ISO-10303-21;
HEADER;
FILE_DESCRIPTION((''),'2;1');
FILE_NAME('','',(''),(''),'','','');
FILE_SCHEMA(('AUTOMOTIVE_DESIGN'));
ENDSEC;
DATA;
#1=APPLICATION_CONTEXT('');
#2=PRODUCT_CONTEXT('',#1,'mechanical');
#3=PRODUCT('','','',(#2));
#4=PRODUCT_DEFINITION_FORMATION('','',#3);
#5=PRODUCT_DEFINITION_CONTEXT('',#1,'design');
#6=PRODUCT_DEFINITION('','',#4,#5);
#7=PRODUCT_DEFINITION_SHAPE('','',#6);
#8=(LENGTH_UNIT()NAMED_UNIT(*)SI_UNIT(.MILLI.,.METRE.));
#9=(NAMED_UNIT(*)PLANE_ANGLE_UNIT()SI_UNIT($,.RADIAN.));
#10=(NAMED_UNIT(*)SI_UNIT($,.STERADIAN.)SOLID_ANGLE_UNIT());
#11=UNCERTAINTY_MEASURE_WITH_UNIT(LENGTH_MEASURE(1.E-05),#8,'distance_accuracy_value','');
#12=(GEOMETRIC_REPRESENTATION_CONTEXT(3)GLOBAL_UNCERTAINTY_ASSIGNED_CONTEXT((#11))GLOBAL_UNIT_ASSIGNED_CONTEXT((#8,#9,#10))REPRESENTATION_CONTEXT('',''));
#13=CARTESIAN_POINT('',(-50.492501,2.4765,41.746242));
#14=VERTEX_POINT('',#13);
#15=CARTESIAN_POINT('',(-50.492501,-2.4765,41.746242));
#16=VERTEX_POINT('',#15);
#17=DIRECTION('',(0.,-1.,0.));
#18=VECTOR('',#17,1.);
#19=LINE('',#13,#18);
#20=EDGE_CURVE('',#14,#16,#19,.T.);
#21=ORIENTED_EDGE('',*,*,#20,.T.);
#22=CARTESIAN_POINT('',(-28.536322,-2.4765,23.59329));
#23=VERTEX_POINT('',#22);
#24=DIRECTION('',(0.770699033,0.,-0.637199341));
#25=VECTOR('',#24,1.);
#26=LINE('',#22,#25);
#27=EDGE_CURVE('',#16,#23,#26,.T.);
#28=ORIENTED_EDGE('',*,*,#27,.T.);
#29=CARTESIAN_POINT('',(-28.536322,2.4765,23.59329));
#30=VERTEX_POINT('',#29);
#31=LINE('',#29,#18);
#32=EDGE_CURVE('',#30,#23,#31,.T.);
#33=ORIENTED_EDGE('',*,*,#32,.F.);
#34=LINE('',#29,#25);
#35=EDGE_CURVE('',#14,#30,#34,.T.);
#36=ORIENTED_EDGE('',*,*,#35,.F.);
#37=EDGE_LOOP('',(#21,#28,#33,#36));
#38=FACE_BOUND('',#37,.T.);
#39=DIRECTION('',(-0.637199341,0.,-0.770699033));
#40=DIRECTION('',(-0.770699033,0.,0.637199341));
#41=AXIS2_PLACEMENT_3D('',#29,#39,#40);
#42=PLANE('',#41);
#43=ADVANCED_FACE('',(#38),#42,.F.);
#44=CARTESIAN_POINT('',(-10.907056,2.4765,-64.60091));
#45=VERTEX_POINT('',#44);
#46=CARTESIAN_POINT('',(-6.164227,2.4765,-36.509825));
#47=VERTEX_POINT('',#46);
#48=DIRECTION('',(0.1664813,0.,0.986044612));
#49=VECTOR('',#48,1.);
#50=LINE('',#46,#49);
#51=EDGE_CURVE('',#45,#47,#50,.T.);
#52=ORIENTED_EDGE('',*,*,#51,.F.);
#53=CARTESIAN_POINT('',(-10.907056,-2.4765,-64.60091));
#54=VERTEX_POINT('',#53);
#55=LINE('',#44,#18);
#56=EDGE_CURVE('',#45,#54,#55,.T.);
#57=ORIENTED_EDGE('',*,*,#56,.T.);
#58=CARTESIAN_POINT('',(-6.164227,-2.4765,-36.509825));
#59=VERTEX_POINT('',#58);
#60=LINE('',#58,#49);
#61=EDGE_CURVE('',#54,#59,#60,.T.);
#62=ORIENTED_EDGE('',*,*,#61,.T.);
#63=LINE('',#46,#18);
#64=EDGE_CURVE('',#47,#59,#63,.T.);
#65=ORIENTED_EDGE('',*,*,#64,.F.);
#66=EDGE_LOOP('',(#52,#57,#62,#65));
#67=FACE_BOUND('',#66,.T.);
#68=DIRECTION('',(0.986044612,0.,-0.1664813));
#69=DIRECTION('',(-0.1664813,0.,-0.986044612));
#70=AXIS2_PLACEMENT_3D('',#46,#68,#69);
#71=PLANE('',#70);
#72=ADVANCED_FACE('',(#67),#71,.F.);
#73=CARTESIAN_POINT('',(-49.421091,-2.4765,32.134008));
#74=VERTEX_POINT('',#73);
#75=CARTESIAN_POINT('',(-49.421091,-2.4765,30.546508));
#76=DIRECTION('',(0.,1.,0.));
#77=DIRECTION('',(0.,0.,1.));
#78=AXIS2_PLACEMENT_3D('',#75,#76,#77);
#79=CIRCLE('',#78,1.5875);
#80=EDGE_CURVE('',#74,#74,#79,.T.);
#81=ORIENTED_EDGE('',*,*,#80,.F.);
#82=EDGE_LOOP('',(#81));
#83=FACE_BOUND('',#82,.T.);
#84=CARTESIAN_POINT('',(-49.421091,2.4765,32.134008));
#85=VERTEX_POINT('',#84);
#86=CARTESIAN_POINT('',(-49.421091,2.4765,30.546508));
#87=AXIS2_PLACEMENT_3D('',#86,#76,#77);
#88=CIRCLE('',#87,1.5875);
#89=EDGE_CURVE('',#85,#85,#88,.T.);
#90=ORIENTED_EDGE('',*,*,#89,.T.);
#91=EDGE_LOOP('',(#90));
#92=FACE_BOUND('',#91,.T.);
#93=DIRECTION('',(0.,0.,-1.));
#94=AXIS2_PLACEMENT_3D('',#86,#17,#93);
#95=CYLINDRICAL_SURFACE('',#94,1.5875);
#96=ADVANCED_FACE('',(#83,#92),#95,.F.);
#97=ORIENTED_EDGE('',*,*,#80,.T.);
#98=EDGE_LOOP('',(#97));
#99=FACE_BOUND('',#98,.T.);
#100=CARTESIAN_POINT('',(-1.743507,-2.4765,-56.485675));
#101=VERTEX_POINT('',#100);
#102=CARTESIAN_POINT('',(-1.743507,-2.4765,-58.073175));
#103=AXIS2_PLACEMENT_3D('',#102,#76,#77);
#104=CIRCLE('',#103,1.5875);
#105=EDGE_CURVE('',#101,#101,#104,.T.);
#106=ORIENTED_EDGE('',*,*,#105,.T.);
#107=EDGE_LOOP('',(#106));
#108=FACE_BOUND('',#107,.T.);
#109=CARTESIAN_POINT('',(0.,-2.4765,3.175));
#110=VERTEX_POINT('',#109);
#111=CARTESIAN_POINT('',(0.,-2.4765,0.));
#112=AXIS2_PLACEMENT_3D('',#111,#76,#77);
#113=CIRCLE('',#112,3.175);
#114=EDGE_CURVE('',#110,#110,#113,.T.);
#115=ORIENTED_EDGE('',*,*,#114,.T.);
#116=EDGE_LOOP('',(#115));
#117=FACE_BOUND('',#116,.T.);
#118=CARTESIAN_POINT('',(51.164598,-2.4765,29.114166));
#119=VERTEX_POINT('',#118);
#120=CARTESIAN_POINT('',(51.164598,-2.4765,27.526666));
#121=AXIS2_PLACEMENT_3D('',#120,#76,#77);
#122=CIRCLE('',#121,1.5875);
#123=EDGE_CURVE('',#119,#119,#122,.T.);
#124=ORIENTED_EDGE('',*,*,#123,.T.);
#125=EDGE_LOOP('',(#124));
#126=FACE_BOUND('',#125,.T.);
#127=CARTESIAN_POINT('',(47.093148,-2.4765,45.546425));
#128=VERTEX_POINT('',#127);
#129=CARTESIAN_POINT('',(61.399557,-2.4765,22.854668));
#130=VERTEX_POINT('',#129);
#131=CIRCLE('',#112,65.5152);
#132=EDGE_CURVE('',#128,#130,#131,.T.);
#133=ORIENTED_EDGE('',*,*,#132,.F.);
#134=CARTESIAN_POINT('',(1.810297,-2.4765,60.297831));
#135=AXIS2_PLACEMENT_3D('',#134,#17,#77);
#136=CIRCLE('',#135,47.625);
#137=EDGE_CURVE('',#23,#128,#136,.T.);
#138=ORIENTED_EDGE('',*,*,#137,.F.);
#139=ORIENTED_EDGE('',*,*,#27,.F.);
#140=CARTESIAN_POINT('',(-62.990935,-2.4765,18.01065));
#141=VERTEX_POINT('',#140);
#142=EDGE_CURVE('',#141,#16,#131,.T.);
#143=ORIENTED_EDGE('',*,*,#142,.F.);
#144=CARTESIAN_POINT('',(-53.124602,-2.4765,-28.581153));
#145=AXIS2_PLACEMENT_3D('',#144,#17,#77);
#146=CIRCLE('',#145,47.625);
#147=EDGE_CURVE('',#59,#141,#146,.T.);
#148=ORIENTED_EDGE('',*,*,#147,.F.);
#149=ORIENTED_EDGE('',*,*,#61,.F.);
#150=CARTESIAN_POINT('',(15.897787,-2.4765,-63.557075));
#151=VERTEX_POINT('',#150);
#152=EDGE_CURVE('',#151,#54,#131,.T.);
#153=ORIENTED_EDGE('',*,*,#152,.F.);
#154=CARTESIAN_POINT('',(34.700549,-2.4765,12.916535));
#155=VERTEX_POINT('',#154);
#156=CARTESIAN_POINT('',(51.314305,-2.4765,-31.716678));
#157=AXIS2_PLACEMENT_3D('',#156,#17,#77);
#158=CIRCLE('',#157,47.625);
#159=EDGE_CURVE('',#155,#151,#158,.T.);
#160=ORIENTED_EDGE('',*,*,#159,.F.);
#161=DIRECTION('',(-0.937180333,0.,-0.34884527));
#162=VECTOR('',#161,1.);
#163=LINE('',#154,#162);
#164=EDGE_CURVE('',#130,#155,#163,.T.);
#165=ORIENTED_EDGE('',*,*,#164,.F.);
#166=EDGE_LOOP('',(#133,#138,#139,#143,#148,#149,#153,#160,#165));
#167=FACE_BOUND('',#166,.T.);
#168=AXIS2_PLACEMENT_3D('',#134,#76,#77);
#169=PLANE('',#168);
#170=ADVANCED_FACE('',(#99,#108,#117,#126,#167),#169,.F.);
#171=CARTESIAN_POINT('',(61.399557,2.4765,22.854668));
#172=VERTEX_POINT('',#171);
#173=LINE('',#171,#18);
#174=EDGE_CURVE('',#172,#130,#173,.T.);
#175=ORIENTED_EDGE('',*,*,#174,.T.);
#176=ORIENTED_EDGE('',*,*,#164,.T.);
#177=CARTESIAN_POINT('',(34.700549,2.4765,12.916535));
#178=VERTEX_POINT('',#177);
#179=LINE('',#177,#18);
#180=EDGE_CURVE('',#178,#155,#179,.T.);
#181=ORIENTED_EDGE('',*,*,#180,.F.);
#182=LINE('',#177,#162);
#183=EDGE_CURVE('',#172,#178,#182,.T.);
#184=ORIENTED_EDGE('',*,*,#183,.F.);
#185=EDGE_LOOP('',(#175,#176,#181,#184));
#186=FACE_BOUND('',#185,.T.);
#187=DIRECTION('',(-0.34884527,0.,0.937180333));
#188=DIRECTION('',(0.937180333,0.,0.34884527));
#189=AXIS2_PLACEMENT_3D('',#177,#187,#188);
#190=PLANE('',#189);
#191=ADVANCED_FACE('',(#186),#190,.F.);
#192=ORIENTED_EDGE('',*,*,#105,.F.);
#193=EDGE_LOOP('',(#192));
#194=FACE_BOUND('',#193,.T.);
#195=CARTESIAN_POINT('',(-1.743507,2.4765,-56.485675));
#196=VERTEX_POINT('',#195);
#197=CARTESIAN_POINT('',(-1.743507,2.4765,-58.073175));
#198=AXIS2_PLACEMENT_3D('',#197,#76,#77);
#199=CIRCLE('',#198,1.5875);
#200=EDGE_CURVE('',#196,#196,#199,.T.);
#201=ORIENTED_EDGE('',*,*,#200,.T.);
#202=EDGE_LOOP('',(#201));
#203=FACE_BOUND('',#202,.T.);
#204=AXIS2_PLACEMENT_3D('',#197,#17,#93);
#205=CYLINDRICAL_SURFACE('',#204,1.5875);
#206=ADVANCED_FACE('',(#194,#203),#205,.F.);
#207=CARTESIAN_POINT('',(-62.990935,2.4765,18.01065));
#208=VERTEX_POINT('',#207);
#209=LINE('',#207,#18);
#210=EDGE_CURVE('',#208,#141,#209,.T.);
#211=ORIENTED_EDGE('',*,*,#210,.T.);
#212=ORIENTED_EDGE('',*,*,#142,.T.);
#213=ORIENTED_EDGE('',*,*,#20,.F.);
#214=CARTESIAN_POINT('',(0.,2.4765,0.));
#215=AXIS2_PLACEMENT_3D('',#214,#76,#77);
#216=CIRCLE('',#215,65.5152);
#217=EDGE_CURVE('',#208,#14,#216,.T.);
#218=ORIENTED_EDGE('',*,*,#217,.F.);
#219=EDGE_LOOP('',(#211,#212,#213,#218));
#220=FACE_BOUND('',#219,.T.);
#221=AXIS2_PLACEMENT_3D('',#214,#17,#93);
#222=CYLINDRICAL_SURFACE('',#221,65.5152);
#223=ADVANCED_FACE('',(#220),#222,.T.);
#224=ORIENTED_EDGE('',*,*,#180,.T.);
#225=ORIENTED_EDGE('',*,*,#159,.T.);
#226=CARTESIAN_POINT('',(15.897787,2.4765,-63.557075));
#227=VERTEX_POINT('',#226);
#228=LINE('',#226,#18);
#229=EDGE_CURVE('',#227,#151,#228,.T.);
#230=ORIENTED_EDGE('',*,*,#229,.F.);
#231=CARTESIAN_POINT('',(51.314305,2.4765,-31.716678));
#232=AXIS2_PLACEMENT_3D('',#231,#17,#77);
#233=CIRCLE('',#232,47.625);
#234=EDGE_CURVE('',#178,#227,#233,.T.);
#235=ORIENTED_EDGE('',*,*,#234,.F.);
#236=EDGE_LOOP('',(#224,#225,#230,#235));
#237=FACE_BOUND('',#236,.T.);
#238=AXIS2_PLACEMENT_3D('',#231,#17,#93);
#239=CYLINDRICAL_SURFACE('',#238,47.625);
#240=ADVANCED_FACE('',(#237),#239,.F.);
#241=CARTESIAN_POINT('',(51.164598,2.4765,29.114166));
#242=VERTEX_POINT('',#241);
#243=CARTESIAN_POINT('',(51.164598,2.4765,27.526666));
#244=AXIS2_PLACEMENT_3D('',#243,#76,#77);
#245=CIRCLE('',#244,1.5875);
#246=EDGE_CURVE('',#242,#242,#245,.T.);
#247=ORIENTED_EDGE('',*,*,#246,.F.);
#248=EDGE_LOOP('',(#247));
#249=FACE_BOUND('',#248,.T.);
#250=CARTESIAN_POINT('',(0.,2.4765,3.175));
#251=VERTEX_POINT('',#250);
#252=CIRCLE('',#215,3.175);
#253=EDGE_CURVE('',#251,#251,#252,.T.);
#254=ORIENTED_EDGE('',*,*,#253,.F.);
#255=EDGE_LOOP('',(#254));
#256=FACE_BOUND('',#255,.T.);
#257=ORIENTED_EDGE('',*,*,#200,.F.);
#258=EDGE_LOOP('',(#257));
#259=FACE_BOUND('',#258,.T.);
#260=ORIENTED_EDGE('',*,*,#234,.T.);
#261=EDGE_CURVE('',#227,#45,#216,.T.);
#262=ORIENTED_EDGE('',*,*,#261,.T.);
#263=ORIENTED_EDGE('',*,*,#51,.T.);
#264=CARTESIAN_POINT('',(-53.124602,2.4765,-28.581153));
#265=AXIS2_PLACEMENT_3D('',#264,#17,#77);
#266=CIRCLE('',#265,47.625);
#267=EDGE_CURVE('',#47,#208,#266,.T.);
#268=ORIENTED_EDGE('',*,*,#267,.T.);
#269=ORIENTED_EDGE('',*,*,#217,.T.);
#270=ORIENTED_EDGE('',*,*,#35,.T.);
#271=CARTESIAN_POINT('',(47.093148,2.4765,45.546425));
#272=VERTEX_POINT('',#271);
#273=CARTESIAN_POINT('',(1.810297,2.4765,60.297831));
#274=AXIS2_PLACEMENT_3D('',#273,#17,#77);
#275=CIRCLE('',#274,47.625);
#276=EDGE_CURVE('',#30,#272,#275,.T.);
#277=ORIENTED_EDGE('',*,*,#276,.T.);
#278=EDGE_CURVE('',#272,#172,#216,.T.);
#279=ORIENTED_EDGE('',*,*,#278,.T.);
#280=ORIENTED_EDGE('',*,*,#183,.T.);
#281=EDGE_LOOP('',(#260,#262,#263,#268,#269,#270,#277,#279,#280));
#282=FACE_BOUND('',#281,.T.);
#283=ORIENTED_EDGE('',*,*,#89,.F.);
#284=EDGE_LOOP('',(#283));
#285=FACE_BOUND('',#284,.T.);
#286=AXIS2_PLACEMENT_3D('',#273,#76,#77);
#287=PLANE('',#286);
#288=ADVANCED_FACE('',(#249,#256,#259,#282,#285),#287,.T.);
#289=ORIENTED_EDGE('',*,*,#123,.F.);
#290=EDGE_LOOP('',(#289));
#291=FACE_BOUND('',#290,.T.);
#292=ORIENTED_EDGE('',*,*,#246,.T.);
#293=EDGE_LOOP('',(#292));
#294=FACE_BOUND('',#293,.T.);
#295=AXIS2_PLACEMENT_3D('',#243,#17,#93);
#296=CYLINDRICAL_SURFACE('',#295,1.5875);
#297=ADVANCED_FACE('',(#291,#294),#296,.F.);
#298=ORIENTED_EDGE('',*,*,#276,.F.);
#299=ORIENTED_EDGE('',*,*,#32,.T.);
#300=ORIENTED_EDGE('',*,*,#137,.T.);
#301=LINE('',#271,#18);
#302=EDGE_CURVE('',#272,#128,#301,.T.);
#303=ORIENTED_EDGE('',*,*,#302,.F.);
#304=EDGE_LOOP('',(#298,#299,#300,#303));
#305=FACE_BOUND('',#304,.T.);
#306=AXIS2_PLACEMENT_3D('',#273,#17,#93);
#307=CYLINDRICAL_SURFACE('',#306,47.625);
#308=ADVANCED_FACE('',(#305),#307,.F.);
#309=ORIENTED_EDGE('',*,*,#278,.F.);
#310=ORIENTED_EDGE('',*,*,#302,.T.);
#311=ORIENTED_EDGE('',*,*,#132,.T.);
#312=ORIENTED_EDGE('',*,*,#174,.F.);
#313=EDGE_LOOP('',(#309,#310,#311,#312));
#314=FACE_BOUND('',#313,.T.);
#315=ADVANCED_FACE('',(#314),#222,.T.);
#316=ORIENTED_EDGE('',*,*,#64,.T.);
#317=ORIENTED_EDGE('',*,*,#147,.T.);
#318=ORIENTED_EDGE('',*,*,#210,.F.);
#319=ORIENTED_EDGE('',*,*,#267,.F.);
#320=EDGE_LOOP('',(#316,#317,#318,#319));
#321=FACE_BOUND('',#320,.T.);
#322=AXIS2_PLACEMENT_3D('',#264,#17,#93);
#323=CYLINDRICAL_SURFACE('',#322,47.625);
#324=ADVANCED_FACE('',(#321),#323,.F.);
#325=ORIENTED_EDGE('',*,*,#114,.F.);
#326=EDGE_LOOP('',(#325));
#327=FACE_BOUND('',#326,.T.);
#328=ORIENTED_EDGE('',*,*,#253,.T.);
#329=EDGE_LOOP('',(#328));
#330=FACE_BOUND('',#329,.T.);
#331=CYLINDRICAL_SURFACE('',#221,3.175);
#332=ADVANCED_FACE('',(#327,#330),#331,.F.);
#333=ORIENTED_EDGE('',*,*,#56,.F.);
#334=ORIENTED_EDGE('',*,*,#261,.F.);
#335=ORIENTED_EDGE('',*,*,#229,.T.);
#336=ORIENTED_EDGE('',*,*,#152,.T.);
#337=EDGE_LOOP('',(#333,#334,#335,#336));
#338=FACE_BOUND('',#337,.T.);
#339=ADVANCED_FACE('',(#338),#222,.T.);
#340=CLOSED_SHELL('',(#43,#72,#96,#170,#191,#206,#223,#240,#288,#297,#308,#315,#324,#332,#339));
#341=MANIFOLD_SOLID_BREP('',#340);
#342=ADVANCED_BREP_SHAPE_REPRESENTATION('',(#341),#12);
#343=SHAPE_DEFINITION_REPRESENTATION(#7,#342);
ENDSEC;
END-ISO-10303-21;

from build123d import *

# Parameters (mm, degrees)
SKETCH1_R           = 3.175
SKETCH1_R_2         = 1.5875
BOSS_EXTRUDE1_DEPTH = 2.4765


with BuildPart() as part:
    # Sketch1 → Boss-Extrude1 (new, symmetric)
    with BuildSketch(Plane(origin=(0, 0, 0), x_dir=(1, 0, 0), z_dir=(0, 1, 0))):
        with BuildLine():
            Line((34.700549349, -12.916534941), (61.399556839, -22.854667611))
            ThreePointArc((61.399556839, -22.854667611), (55.420174256, -34.940602415), (47.093148029, -45.546424892))
            ThreePointArc((47.093148029, -45.546424892), (15.086508303, -14.560725649), (-28.536322062, -23.593289791))
            Line((-28.536322062, -23.593289791), (-50.492501165, -41.746242199))
            ThreePointArc((-50.492501165, -41.746242199), (-57.969536443, -30.52497758), (-62.990935022, -18.010650091))
            ThreePointArc((-62.990935022, -18.010650091), (-20.153212462, -5.78493662), (-6.164227287, 36.509824732))
            Line((-6.164227287, 36.509824732), (-10.907055674, 64.600909809))
            ThreePointArc((-10.907055674, 64.600909809), (2.549362187, 65.465579995), (15.897786993, 63.557074983))
            ThreePointArc((15.897786993, 63.557074983), (5.066704158, 20.34566227), (34.700549349, -12.916534941))
        make_face()
        Circle(SKETCH1_R, mode=Mode.SUBTRACT)
        with Locations((-1.743506635, 58.073174541)):
            Circle(SKETCH1_R_2, mode=Mode.SUBTRACT)
        with Locations((-49.421091113, -30.546508308)):
            Circle(SKETCH1_R_2, mode=Mode.SUBTRACT)
        with Locations((51.164597749, -27.526666233)):
            Circle(SKETCH1_R_2, mode=Mode.SUBTRACT)
    extrude(amount=BOSS_EXTRUDE1_DEPTH, both=True)


solid = part.part
